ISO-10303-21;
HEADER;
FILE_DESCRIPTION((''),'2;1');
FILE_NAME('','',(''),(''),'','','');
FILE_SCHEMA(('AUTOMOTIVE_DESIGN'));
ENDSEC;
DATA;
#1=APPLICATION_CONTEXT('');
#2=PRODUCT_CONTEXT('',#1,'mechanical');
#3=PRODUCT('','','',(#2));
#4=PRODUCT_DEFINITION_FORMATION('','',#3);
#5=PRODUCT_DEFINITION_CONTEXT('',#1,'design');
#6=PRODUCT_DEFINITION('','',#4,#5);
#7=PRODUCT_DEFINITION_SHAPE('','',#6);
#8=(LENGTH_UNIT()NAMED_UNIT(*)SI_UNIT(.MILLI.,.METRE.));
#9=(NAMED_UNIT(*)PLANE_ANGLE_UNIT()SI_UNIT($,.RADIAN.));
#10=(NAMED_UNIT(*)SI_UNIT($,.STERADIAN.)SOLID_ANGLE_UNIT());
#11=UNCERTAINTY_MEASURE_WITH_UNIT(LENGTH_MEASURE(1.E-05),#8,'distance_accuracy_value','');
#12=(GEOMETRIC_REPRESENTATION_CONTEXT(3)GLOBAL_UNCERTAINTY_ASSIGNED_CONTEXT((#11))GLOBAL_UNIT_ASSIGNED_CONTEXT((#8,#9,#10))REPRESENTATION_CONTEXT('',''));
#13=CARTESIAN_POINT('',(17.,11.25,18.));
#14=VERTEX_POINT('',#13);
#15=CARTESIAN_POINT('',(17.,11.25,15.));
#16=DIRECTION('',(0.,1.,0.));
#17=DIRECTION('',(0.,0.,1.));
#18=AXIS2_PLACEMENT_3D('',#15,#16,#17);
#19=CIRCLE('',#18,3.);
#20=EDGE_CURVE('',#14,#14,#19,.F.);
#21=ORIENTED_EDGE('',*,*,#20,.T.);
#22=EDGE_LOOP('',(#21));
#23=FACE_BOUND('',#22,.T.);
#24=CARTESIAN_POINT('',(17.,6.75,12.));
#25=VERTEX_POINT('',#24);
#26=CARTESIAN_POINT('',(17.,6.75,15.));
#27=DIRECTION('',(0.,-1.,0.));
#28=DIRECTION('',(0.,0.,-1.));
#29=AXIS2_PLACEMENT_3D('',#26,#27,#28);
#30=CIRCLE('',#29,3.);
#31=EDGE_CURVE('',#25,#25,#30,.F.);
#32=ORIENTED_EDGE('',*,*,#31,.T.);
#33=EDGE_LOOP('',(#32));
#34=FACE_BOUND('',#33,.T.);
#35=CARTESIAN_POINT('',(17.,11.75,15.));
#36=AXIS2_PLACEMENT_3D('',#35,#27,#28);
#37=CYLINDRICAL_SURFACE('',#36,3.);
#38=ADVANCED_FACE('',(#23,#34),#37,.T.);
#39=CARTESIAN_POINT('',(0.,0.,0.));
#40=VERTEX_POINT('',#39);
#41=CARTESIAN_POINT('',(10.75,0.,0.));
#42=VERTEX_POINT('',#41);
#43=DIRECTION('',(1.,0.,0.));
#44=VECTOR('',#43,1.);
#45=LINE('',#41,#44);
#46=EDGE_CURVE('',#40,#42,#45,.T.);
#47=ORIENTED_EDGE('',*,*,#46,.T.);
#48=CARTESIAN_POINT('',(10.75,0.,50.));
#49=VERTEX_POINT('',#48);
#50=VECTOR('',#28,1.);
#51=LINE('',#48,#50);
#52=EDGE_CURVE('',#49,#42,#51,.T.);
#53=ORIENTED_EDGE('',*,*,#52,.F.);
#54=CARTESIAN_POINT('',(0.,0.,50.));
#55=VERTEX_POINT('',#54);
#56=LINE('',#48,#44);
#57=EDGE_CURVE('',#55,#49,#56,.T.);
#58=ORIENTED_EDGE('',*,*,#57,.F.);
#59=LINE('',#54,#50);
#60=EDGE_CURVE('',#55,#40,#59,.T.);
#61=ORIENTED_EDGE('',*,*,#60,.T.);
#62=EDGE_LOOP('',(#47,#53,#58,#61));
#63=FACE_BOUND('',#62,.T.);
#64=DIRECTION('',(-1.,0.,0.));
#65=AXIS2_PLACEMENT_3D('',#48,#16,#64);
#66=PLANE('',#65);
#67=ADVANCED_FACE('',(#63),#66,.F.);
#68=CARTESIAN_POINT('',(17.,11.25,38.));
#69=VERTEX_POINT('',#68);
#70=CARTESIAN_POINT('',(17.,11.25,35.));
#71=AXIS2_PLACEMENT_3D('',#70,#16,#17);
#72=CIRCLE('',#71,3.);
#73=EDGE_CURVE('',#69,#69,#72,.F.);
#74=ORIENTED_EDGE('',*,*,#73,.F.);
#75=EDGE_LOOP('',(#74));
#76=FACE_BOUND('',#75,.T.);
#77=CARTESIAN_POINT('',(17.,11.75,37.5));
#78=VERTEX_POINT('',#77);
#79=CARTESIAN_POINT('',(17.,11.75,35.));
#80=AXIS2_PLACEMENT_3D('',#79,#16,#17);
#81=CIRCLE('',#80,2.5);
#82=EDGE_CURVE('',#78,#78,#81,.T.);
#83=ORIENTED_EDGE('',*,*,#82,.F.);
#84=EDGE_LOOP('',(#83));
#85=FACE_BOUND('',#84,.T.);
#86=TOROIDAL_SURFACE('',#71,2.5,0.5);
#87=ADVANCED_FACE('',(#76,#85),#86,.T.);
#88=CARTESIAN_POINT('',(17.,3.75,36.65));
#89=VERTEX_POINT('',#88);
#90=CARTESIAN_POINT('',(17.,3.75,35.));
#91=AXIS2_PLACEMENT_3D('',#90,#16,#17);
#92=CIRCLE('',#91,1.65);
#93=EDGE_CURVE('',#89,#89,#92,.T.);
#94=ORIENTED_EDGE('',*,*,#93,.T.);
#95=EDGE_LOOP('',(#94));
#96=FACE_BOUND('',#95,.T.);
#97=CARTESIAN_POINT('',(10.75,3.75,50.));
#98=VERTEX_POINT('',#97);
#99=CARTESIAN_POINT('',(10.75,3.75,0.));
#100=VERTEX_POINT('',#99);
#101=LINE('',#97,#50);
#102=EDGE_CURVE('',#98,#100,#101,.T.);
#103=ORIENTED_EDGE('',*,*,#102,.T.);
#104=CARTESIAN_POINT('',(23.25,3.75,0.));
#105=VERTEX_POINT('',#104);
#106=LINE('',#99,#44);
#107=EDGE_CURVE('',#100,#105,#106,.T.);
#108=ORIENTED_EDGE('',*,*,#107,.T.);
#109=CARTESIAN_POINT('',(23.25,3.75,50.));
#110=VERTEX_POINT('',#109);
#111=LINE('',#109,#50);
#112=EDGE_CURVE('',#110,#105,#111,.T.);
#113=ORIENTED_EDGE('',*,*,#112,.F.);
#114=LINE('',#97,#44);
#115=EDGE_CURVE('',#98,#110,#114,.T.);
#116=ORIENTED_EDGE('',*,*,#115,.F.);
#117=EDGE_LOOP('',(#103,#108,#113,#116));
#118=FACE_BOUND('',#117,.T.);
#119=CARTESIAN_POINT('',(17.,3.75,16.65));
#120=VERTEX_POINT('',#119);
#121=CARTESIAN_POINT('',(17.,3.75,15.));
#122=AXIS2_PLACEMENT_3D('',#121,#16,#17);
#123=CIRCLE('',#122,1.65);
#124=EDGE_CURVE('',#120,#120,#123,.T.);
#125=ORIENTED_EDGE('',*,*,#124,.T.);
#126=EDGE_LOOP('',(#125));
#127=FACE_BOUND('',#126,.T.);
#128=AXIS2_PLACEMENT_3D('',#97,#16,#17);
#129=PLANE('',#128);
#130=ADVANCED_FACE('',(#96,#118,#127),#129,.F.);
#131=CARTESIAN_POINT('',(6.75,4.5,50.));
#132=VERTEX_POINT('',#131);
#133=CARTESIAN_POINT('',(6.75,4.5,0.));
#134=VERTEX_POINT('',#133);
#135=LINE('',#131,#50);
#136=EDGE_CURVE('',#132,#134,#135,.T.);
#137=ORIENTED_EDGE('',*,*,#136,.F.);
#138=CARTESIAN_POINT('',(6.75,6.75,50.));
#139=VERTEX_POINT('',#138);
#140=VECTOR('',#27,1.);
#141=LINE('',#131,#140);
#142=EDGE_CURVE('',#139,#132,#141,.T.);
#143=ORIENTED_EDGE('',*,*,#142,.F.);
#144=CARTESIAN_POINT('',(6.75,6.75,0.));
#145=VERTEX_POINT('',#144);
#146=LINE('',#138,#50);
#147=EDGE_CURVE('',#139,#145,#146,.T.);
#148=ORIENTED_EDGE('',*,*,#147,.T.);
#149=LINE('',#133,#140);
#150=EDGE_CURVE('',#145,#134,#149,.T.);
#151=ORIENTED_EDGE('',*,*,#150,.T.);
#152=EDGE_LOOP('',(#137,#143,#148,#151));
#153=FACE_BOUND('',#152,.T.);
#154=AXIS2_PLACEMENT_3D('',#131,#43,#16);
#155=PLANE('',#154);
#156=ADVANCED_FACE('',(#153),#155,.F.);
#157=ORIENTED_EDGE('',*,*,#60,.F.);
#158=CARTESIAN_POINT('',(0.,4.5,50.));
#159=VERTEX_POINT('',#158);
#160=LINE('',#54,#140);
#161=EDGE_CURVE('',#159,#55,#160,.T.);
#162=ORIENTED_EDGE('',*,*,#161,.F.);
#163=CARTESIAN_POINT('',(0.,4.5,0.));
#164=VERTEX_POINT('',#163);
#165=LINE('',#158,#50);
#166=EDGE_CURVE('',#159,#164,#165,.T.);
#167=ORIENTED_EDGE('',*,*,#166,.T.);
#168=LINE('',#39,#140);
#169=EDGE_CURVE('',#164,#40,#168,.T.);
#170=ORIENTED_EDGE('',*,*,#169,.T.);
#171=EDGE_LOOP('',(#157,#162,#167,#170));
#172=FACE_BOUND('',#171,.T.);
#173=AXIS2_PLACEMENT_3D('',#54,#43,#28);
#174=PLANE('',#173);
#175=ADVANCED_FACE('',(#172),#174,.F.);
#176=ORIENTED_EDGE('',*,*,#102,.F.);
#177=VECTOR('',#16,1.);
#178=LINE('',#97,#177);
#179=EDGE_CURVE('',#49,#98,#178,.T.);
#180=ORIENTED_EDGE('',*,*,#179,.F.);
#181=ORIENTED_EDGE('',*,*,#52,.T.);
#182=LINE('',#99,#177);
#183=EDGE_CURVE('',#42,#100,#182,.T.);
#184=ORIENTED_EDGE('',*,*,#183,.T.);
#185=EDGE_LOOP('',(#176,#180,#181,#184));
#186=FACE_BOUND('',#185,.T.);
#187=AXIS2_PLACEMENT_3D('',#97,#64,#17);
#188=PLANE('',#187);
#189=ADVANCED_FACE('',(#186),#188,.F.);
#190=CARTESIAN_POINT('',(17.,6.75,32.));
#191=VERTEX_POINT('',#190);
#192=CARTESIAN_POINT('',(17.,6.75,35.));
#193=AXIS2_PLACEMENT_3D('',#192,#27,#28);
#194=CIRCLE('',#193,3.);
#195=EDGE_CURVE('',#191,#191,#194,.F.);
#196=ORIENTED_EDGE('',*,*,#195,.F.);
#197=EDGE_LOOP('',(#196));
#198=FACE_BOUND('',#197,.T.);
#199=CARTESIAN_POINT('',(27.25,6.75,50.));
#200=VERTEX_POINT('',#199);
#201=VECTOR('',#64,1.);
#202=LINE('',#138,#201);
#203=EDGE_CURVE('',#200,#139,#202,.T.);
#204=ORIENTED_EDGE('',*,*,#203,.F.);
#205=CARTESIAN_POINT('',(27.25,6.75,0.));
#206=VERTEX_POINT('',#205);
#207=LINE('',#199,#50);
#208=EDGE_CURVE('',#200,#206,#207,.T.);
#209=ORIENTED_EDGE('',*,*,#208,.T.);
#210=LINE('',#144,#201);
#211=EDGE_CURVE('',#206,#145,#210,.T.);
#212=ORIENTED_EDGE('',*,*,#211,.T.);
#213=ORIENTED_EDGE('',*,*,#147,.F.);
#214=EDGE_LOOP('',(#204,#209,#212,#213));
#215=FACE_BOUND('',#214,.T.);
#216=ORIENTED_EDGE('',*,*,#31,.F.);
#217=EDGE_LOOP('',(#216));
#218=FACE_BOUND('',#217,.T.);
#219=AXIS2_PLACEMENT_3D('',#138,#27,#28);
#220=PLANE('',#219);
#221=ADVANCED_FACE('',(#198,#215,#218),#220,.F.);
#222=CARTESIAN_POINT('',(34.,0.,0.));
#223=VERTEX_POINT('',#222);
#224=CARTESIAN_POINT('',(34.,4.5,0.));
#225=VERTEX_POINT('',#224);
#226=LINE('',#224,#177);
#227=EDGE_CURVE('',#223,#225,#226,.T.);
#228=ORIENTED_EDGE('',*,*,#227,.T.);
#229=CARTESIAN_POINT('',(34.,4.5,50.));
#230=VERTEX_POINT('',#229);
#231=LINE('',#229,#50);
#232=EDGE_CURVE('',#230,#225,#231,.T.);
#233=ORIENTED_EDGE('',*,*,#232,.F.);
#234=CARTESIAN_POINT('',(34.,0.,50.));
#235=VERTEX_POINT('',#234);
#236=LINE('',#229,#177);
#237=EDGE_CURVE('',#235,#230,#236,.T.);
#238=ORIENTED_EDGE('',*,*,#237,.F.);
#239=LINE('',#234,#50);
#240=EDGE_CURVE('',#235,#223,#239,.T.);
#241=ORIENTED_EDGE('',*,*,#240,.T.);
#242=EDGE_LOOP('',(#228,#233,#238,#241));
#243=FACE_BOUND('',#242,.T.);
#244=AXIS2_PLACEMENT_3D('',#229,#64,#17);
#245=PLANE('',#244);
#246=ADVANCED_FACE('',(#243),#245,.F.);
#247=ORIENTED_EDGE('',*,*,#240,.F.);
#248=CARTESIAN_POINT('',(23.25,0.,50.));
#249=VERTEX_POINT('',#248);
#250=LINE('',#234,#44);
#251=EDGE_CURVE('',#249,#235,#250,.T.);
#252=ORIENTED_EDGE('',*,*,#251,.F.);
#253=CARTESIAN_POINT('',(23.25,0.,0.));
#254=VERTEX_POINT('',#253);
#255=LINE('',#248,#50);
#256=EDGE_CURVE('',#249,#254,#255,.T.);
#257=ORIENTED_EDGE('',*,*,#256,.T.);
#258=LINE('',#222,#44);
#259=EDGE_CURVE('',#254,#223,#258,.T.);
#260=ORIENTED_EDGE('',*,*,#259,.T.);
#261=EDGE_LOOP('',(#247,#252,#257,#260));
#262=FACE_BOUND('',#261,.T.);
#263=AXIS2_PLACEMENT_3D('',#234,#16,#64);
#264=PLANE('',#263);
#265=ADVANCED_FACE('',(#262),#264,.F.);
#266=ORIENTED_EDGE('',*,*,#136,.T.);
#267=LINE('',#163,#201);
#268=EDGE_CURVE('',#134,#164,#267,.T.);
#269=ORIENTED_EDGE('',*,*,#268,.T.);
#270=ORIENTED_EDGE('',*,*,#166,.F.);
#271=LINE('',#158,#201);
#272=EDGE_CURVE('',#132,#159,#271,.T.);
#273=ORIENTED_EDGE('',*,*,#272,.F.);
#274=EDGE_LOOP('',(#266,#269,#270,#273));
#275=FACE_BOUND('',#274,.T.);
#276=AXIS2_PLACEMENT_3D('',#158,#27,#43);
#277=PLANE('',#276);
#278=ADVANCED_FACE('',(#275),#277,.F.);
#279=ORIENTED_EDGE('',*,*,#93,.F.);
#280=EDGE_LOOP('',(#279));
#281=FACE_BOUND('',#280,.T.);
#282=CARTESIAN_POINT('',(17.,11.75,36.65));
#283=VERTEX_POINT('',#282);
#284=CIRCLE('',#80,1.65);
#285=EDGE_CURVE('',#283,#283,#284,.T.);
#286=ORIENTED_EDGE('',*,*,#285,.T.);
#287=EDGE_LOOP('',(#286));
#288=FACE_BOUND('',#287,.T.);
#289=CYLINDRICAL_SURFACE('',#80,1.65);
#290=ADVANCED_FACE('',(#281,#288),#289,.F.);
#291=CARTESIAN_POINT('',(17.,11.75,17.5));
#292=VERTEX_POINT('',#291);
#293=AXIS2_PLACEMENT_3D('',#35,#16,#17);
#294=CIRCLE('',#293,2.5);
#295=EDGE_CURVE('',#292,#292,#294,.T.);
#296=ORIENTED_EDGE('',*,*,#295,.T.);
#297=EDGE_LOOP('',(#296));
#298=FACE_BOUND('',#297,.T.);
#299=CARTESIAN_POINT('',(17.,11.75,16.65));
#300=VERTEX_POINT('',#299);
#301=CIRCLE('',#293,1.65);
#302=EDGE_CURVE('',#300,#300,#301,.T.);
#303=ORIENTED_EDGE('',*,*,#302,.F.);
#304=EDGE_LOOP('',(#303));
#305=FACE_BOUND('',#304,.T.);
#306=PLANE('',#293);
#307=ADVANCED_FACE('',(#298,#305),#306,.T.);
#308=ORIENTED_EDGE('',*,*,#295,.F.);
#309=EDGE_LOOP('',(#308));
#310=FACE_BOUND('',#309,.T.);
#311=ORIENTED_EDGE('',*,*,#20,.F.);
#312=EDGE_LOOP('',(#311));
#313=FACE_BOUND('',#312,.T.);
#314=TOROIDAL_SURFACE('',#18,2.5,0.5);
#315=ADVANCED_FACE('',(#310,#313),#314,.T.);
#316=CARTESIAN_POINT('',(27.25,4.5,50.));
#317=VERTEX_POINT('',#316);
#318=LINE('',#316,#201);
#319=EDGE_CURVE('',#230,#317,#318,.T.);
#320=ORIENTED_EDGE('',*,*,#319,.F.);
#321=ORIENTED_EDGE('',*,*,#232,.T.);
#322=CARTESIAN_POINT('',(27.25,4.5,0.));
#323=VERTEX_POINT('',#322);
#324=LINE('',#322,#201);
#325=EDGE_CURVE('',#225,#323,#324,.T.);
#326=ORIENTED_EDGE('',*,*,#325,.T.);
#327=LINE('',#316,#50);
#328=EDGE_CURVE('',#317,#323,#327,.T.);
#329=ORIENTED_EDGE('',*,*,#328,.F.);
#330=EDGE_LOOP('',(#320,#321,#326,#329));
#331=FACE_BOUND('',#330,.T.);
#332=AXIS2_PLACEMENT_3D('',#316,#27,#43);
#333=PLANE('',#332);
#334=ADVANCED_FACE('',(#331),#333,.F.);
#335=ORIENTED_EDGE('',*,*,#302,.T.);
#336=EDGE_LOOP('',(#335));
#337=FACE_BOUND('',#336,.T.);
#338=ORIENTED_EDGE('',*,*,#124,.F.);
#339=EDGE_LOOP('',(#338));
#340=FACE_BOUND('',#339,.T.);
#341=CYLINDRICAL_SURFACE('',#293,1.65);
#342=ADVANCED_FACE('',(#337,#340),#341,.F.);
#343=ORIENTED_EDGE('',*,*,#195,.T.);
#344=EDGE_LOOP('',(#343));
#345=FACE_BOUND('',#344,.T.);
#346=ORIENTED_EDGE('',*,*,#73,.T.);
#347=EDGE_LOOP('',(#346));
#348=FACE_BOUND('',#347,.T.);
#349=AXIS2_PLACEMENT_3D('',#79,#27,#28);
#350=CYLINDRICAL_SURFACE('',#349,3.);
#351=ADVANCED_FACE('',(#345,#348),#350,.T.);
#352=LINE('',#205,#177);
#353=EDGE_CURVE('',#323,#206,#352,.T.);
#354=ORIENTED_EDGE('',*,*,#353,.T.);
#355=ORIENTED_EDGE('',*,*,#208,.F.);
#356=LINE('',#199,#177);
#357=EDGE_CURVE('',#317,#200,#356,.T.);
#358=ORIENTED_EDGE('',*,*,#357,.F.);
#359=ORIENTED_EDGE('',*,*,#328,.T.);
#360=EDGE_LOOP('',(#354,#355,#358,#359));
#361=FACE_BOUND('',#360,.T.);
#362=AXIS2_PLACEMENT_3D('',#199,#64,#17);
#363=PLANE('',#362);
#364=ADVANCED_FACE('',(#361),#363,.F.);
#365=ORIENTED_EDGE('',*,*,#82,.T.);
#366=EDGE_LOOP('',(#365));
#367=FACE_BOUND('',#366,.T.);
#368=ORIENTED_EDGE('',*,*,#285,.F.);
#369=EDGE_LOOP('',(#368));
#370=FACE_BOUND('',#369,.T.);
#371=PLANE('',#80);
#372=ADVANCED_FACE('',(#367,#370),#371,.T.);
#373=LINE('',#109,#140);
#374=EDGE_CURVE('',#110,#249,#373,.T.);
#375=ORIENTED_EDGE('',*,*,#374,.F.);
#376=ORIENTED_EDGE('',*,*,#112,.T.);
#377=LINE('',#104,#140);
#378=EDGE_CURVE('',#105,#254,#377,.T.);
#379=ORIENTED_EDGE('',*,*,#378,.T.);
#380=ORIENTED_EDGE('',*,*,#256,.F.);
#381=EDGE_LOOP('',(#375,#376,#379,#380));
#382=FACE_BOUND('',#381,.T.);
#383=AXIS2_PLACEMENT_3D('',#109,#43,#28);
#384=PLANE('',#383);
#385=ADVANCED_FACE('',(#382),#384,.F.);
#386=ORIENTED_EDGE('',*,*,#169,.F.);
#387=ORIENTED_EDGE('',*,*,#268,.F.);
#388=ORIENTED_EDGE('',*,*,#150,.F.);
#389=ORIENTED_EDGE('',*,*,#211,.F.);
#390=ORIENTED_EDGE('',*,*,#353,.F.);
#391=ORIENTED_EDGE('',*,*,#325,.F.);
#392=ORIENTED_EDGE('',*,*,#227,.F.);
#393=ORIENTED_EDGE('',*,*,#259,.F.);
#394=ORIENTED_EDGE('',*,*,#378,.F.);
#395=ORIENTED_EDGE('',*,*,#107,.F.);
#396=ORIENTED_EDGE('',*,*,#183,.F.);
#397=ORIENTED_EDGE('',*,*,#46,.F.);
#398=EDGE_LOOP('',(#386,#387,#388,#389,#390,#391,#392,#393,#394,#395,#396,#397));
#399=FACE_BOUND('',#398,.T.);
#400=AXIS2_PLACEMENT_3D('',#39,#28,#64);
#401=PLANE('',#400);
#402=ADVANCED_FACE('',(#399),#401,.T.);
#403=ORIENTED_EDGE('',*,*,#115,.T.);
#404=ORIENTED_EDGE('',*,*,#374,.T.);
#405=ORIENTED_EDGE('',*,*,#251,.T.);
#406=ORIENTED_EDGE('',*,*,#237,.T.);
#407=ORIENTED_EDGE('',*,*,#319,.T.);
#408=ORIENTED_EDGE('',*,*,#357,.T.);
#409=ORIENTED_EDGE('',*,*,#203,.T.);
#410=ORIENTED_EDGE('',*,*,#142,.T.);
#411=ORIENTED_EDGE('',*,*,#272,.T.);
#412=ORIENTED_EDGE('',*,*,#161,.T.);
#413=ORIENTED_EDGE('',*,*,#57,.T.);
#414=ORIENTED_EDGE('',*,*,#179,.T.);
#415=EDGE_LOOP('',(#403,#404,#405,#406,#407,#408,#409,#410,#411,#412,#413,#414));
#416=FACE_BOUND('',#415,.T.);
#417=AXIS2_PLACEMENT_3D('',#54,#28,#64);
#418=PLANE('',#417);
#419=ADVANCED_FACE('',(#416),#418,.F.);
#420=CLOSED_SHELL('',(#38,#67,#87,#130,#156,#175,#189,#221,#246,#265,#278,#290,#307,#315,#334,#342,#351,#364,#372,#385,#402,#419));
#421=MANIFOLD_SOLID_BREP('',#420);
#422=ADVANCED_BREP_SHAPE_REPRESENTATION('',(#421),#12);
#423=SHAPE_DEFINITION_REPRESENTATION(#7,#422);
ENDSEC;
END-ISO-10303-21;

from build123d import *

# Parameters (mm, degrees)
BOSS_EXTRUDE1_DEPTH   = 50
SKETCH4_R             = 3
BOSS_EXTRUDE2_DEPTH   = 5
M4X0_7_TAPPED_HOLE1_D = 3.3
FILLET1_R             = 0.5


with BuildPart() as part:
    # Sketch1 → Boss-Extrude1 (new body)
    with BuildSketch(Plane.XY):
        Polygon((0, 0), (0, 4.5), (6.75, 4.5), (6.75, 6.75), (27.25, 6.75), (27.25, 4.5), (34, 4.5), (34, 0), (23.25, 0), (23.25, 3.75), (10.75, 3.75), (10.75, 0), align=None)
    extrude(amount=BOSS_EXTRUDE1_DEPTH)

    # Sketch4 → Boss-Extrude2 (add)
    with BuildSketch(Plane(origin=(0, 6.75, 0), x_dir=(1, 0, 0), z_dir=(0, 1, 0))):
        with Locations(Location((17, -15, 0), (0, 0, 90))):
            Circle(SKETCH4_R)
        with Locations(Location((17, -35, 0), (0, 0, 90))):
            Circle(SKETCH4_R)
    extrude(amount=BOSS_EXTRUDE2_DEPTH)

    # M4x0.7 Tapped Hole1 (through all)
    with Locations(Plane(origin=(17, 11.75, 15), x_dir=(0, 0, 1), z_dir=(0, 1, 0))):
        with Locations((0, 0), (20, 0)):
            Hole(M4X0_7_TAPPED_HOLE1_D / 2)

    # Fillet1
    fillet1_edges = [part.edges().sort_by_distance(p)[0] for p in [
        (17, 11.75, 18),
        (17, 11.75, 38),
    ]]
    fillet(fillet1_edges, radius=FILLET1_R)


solid = part.part
